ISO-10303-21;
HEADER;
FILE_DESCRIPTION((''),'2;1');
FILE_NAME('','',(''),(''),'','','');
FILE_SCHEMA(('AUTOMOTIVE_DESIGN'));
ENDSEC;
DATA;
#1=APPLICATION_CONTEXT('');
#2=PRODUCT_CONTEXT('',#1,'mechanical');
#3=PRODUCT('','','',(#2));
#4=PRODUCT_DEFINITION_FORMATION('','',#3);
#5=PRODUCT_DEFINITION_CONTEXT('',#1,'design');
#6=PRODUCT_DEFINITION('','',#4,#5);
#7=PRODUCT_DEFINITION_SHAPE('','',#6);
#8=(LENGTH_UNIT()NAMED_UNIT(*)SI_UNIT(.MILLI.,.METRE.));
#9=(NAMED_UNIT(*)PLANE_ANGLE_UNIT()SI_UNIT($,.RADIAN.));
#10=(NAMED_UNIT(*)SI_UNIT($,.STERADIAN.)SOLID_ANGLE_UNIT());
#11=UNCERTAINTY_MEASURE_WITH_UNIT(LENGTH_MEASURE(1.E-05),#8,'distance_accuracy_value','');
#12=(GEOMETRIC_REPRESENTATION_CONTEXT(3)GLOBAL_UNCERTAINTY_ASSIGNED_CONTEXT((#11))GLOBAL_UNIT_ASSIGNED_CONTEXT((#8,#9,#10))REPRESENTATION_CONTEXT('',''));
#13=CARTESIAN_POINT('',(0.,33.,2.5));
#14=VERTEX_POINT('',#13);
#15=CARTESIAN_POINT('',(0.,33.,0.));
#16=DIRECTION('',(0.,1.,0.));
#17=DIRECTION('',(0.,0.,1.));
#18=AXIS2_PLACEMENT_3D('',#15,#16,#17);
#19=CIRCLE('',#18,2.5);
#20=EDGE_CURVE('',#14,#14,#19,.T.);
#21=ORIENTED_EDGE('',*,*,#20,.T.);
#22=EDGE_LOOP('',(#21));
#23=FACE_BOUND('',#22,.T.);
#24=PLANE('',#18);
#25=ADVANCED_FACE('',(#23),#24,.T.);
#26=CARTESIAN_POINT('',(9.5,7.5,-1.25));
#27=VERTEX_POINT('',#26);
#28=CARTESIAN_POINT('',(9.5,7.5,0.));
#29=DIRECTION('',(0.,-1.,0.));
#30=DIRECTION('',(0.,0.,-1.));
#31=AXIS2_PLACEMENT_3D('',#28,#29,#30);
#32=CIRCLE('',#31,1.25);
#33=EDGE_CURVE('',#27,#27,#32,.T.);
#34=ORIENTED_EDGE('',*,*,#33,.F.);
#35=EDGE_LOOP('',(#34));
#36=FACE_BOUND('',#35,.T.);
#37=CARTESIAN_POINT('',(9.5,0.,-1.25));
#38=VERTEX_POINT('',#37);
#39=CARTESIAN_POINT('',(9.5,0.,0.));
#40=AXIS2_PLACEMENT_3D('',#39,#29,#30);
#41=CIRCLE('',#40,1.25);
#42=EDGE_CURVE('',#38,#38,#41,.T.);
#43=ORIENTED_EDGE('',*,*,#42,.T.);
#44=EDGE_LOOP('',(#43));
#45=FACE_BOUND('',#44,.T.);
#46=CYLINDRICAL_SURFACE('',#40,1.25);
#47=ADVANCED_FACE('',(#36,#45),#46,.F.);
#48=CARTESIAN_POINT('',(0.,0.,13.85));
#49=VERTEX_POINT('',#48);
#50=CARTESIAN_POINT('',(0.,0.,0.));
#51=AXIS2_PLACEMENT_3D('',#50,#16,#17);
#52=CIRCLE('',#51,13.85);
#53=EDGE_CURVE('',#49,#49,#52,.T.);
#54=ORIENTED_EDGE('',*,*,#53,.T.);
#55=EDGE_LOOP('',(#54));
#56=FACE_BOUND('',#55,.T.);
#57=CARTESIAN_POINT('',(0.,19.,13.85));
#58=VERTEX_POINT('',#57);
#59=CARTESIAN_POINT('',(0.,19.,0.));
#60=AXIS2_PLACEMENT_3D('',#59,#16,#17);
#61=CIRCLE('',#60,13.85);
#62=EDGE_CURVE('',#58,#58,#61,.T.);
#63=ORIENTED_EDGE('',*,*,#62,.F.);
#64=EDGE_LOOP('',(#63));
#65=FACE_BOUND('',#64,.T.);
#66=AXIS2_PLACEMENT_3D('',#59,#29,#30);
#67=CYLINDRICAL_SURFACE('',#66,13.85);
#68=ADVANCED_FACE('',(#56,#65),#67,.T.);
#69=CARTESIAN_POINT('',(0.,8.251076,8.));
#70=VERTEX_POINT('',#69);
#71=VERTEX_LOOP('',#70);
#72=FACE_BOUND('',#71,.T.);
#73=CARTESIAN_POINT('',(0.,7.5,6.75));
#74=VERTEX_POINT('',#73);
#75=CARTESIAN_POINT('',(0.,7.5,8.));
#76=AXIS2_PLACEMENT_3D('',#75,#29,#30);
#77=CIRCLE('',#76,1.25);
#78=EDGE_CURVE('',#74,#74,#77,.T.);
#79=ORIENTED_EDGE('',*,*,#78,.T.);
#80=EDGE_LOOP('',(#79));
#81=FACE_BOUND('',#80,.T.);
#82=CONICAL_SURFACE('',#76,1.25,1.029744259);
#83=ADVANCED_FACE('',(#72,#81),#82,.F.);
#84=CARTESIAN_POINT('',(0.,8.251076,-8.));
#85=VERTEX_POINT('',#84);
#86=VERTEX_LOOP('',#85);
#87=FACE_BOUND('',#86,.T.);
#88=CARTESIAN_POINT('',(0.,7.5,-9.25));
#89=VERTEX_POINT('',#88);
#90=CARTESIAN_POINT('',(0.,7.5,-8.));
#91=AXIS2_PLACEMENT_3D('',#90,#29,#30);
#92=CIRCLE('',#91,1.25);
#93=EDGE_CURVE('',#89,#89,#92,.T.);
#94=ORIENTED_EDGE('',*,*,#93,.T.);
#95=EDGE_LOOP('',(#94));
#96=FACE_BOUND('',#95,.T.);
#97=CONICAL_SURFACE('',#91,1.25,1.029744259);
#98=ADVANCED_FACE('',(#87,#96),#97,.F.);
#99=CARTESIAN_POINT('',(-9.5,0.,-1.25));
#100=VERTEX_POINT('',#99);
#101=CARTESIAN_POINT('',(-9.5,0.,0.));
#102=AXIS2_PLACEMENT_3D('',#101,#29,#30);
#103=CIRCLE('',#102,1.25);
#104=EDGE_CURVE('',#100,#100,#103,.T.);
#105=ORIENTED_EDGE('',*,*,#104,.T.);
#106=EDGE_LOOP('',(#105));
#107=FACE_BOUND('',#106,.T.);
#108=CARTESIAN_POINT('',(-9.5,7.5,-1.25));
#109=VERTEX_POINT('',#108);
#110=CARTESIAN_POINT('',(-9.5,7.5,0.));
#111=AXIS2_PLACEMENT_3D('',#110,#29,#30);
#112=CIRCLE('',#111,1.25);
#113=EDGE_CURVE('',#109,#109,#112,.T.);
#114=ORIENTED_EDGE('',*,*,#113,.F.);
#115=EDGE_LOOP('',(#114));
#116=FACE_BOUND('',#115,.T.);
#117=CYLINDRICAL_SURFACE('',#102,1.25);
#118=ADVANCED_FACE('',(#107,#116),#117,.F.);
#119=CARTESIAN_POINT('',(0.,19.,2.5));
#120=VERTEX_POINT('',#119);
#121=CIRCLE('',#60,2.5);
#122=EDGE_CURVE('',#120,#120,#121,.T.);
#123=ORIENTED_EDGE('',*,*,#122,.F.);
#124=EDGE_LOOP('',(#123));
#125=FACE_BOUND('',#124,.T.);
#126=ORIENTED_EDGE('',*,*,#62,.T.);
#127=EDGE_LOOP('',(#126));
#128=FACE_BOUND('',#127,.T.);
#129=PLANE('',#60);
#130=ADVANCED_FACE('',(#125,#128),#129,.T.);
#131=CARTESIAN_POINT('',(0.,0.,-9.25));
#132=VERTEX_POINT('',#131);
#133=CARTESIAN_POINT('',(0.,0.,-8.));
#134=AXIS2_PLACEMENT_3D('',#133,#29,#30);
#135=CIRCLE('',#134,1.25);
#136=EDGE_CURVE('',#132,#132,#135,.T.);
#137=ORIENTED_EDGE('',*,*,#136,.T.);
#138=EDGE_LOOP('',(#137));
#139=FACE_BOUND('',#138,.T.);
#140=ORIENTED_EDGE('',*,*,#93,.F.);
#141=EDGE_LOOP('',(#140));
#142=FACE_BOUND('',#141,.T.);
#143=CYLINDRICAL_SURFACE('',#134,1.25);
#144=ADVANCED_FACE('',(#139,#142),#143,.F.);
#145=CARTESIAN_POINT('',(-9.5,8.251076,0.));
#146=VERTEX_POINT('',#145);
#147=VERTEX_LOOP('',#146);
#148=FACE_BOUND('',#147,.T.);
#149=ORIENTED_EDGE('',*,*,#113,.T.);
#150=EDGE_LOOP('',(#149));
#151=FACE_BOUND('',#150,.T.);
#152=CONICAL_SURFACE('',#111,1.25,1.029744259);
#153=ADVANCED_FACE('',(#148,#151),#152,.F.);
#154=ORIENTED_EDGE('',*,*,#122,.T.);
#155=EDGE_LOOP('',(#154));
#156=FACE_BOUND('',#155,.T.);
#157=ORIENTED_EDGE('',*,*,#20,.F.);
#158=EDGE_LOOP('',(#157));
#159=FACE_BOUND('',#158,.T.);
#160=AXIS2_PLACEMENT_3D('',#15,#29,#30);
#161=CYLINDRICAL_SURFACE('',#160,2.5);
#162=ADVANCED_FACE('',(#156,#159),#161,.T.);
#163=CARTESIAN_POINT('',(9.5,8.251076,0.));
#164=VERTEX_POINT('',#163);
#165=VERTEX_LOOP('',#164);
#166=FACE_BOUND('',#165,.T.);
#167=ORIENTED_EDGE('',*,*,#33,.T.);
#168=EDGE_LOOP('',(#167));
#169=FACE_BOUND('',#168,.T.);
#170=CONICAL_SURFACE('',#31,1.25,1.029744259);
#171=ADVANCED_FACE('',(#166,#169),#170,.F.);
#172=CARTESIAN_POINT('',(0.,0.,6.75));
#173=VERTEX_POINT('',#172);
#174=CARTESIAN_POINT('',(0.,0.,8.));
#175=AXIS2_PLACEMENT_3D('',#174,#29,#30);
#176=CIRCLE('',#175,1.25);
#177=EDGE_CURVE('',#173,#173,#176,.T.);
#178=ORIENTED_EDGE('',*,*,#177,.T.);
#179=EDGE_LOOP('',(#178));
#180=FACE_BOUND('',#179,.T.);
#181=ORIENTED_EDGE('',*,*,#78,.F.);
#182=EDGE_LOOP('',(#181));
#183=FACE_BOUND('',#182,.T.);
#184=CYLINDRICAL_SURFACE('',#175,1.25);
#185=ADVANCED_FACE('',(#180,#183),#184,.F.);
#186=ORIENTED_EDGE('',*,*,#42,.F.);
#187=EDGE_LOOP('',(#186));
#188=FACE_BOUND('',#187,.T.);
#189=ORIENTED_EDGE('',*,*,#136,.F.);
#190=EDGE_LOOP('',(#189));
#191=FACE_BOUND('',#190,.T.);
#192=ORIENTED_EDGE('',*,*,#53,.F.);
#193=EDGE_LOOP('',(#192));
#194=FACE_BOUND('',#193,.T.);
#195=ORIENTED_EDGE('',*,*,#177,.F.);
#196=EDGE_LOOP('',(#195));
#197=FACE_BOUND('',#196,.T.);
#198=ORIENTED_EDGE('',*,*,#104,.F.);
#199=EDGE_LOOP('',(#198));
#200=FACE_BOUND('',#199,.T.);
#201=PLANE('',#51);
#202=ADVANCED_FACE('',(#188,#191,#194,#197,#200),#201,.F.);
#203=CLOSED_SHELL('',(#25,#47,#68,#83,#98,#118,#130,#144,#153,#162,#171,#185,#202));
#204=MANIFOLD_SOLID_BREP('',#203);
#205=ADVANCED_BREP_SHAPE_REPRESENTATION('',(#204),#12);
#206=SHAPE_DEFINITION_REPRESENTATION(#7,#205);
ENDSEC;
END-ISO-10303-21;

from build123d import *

# Parameters (mm, degrees)
SKETCH1_R                 = 13.85
BOSS_EXTRUDE1_DEPTH       = 19
SKETCH2_R                 = 2.5
BOSS_EXTRUDE2_DEPTH       = 14
M3X0_5_TAPPED_HOLE1_D     = 2.5
M3X0_5_TAPPED_HOLE1_DEPTH = 7.5
M3X0_5_TAPPED_HOLE1_TIP   = 0.751075774


with BuildPart() as part:
    # Sketch1 → Boss-Extrude1 (new body)
    with BuildSketch(Plane(origin=(0, 0, 0), x_dir=(1, 0, 0), z_dir=(0, 1, 0))):
        Circle(SKETCH1_R)
    extrude(amount=BOSS_EXTRUDE1_DEPTH)

    # Sketch2 → Boss-Extrude2 (add)
    with BuildSketch(Plane(origin=(0, 19, 0), x_dir=(1, 0, 0), z_dir=(0, 1, 0))):
        Circle(SKETCH2_R)
    extrude(amount=BOSS_EXTRUDE2_DEPTH)

    # M3x0.5 Tapped Hole1
    with Locations(Plane(origin=(0, 0, 0), x_dir=(-1, 0, 0), z_dir=(0, -1, 0))):
        with Locations((0, -8), (9.5, 0), (0, 8), (-9.5, 0)):
            Hole(M3X0_5_TAPPED_HOLE1_D / 2, depth=M3X0_5_TAPPED_HOLE1_DEPTH)
            with Locations((0, 0, -(M3X0_5_TAPPED_HOLE1_DEPTH + M3X0_5_TAPPED_HOLE1_TIP / 2))):  # 118° drill point
                Cone(0, M3X0_5_TAPPED_HOLE1_D / 2, M3X0_5_TAPPED_HOLE1_TIP, mode=Mode.SUBTRACT)


solid = part.part
